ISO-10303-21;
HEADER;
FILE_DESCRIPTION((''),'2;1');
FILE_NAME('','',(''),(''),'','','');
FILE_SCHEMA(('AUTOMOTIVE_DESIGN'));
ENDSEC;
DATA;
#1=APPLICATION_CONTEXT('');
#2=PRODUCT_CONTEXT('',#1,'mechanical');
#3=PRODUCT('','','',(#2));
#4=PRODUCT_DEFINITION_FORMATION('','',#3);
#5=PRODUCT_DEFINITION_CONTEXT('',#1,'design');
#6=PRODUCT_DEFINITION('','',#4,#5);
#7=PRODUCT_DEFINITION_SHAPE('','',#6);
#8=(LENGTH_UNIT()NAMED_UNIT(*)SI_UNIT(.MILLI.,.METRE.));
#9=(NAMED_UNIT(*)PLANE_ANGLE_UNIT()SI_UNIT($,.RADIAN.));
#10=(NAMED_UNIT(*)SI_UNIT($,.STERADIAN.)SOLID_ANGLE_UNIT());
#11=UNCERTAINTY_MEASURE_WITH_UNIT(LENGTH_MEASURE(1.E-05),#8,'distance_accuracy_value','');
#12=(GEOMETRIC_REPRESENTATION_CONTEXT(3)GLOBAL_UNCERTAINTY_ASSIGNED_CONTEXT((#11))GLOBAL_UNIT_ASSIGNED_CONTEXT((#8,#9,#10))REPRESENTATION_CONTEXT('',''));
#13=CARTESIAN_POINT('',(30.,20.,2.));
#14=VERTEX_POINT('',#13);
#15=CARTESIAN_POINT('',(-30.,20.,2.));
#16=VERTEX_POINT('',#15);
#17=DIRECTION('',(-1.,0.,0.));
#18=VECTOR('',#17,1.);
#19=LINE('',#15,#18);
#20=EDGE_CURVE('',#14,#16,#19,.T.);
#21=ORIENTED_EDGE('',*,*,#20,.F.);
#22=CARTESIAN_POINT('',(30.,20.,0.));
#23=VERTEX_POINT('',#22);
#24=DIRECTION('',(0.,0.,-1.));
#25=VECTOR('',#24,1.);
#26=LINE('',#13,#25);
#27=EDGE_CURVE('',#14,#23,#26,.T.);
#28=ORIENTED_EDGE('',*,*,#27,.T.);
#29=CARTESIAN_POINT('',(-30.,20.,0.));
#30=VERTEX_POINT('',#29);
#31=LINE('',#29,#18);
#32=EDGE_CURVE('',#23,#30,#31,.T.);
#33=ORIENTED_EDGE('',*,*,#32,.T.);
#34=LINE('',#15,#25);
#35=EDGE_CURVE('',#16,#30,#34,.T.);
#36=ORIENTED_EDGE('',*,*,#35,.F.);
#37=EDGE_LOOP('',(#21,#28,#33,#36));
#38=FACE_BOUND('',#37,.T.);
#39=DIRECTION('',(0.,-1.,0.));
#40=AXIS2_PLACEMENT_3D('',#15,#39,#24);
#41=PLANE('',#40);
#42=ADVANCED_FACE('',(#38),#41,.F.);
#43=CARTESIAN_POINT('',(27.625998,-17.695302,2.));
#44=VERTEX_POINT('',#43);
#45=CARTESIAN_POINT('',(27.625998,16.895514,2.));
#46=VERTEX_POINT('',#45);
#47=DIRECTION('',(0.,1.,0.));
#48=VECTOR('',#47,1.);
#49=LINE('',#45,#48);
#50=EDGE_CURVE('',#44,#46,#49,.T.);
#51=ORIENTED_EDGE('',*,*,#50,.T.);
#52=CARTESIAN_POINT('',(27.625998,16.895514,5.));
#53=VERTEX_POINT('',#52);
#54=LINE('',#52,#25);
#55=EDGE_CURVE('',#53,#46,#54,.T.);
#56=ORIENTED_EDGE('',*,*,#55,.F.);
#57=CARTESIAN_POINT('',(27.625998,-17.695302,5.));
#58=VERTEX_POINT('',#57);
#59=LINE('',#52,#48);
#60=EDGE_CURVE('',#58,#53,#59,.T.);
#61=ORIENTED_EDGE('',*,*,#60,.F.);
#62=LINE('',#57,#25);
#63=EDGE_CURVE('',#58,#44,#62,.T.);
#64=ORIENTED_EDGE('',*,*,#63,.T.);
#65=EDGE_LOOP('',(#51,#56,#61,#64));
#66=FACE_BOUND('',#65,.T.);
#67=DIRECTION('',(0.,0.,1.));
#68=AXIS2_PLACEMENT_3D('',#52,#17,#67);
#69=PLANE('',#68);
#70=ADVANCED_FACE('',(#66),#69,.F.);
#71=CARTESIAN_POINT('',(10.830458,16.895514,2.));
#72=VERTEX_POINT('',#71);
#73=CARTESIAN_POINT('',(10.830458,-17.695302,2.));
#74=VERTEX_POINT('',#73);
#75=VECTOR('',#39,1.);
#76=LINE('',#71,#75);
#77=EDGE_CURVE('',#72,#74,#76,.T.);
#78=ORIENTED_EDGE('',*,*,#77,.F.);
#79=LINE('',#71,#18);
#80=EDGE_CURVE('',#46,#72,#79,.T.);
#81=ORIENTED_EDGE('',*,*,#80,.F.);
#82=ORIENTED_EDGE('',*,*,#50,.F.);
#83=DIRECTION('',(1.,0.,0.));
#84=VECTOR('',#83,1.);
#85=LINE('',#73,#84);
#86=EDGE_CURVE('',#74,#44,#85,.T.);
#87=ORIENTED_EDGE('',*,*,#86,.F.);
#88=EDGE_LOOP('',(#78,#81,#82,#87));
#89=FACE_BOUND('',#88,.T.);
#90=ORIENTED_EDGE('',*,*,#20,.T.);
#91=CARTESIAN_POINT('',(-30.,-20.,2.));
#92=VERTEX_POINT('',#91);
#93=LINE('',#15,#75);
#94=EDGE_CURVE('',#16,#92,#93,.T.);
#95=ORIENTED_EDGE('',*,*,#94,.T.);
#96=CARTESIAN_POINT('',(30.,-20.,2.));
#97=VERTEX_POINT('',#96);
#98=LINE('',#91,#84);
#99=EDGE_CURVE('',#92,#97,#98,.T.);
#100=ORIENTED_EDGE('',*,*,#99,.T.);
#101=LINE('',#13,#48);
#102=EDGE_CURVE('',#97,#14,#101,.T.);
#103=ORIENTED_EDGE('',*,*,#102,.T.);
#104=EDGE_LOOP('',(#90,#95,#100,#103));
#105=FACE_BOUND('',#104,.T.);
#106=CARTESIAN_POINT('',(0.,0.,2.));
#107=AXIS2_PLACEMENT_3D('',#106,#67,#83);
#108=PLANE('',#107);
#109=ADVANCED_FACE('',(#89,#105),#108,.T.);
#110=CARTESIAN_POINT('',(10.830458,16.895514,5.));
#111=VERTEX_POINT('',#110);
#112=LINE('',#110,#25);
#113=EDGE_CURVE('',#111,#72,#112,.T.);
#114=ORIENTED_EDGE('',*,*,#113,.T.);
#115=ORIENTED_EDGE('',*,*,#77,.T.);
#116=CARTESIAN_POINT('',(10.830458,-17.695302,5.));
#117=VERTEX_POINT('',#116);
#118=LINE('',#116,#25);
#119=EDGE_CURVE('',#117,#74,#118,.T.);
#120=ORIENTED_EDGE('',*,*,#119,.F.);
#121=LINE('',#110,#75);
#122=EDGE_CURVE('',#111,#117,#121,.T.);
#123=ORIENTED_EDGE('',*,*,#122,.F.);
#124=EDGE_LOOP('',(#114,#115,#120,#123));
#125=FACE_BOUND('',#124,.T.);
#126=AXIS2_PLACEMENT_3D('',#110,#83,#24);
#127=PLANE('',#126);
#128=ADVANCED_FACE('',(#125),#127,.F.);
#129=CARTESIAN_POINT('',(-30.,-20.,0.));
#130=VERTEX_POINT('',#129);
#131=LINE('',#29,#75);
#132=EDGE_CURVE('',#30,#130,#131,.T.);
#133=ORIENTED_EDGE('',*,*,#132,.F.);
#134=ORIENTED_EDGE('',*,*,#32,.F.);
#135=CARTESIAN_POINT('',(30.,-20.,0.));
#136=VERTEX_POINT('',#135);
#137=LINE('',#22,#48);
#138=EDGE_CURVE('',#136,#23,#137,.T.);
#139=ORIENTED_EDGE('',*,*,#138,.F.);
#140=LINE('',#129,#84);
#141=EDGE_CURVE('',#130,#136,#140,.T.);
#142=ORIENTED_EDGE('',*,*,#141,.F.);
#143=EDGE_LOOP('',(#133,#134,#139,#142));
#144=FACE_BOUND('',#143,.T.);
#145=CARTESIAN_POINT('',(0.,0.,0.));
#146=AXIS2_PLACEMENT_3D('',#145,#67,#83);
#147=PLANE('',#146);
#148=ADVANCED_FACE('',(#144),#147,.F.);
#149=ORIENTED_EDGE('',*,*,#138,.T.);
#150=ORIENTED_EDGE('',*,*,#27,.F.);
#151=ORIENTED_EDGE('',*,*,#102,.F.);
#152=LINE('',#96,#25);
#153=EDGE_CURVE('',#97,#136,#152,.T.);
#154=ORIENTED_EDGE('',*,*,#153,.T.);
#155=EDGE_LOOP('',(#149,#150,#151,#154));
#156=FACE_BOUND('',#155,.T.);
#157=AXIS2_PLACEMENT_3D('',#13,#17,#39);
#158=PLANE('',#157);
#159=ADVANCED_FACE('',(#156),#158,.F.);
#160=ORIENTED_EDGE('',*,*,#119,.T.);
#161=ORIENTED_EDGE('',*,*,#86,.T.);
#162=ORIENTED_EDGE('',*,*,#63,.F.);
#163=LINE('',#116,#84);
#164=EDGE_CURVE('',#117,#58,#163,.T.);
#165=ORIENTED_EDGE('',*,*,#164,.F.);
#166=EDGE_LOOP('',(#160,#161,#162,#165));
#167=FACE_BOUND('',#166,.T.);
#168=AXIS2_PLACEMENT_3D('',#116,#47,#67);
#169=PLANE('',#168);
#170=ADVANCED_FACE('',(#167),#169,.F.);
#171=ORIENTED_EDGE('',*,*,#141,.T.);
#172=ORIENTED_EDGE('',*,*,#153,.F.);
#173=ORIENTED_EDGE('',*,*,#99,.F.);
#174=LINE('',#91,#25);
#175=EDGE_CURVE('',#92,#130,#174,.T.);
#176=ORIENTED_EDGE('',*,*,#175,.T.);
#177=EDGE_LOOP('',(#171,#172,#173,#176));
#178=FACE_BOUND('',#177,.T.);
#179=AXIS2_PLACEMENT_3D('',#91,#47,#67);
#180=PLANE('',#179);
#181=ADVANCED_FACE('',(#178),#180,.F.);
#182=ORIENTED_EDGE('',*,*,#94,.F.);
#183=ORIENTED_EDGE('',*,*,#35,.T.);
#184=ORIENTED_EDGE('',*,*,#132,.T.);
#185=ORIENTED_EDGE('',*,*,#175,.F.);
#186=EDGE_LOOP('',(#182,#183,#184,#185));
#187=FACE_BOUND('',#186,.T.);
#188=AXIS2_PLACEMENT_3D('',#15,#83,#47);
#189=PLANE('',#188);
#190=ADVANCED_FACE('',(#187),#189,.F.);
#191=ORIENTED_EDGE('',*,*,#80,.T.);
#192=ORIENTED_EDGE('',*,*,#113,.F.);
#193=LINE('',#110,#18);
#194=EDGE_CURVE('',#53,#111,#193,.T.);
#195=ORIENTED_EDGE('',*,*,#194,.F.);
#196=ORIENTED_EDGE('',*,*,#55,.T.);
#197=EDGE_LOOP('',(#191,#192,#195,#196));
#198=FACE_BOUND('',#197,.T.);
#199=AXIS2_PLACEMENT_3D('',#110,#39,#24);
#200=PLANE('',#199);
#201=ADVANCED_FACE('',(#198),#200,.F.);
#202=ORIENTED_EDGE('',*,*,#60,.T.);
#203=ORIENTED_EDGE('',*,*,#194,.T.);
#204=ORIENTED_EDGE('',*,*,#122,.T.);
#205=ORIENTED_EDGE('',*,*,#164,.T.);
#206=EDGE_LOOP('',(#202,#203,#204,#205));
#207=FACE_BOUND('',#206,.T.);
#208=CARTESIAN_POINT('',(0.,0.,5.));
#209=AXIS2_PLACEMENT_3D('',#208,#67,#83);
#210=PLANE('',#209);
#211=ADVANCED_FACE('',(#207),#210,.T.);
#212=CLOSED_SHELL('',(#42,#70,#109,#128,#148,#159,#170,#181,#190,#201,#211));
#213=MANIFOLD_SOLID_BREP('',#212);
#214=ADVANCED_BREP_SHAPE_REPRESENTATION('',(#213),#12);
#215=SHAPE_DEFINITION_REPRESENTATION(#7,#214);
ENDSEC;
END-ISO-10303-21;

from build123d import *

# Parameters (mm, degrees)
ESQUISSE1_W        = 60
ESQUISSE1_H        = 40
BOSS_EXTRU_1_DEPTH = 2
ESQUISSE2_W        = 16.795540574
ESQUISSE2_H        = 34.590815706
BOSS_EXTRU_2_DEPTH = 3


with BuildPart() as part:
    # Esquisse1 → Boss.-Extru.1 (new body)
    with BuildSketch(Plane.XY):
        Rectangle(ESQUISSE1_W, ESQUISSE1_H)
    extrude(amount=BOSS_EXTRU_1_DEPTH)

    # Esquisse2 → Boss.-Extru.2 (add)
    with BuildSketch(Plane.XY.offset(2)):
        with Locations((19.228227999, -0.399893823)):
            Rectangle(ESQUISSE2_W, ESQUISSE2_H)
    extrude(amount=BOSS_EXTRU_2_DEPTH)


solid = part.part
